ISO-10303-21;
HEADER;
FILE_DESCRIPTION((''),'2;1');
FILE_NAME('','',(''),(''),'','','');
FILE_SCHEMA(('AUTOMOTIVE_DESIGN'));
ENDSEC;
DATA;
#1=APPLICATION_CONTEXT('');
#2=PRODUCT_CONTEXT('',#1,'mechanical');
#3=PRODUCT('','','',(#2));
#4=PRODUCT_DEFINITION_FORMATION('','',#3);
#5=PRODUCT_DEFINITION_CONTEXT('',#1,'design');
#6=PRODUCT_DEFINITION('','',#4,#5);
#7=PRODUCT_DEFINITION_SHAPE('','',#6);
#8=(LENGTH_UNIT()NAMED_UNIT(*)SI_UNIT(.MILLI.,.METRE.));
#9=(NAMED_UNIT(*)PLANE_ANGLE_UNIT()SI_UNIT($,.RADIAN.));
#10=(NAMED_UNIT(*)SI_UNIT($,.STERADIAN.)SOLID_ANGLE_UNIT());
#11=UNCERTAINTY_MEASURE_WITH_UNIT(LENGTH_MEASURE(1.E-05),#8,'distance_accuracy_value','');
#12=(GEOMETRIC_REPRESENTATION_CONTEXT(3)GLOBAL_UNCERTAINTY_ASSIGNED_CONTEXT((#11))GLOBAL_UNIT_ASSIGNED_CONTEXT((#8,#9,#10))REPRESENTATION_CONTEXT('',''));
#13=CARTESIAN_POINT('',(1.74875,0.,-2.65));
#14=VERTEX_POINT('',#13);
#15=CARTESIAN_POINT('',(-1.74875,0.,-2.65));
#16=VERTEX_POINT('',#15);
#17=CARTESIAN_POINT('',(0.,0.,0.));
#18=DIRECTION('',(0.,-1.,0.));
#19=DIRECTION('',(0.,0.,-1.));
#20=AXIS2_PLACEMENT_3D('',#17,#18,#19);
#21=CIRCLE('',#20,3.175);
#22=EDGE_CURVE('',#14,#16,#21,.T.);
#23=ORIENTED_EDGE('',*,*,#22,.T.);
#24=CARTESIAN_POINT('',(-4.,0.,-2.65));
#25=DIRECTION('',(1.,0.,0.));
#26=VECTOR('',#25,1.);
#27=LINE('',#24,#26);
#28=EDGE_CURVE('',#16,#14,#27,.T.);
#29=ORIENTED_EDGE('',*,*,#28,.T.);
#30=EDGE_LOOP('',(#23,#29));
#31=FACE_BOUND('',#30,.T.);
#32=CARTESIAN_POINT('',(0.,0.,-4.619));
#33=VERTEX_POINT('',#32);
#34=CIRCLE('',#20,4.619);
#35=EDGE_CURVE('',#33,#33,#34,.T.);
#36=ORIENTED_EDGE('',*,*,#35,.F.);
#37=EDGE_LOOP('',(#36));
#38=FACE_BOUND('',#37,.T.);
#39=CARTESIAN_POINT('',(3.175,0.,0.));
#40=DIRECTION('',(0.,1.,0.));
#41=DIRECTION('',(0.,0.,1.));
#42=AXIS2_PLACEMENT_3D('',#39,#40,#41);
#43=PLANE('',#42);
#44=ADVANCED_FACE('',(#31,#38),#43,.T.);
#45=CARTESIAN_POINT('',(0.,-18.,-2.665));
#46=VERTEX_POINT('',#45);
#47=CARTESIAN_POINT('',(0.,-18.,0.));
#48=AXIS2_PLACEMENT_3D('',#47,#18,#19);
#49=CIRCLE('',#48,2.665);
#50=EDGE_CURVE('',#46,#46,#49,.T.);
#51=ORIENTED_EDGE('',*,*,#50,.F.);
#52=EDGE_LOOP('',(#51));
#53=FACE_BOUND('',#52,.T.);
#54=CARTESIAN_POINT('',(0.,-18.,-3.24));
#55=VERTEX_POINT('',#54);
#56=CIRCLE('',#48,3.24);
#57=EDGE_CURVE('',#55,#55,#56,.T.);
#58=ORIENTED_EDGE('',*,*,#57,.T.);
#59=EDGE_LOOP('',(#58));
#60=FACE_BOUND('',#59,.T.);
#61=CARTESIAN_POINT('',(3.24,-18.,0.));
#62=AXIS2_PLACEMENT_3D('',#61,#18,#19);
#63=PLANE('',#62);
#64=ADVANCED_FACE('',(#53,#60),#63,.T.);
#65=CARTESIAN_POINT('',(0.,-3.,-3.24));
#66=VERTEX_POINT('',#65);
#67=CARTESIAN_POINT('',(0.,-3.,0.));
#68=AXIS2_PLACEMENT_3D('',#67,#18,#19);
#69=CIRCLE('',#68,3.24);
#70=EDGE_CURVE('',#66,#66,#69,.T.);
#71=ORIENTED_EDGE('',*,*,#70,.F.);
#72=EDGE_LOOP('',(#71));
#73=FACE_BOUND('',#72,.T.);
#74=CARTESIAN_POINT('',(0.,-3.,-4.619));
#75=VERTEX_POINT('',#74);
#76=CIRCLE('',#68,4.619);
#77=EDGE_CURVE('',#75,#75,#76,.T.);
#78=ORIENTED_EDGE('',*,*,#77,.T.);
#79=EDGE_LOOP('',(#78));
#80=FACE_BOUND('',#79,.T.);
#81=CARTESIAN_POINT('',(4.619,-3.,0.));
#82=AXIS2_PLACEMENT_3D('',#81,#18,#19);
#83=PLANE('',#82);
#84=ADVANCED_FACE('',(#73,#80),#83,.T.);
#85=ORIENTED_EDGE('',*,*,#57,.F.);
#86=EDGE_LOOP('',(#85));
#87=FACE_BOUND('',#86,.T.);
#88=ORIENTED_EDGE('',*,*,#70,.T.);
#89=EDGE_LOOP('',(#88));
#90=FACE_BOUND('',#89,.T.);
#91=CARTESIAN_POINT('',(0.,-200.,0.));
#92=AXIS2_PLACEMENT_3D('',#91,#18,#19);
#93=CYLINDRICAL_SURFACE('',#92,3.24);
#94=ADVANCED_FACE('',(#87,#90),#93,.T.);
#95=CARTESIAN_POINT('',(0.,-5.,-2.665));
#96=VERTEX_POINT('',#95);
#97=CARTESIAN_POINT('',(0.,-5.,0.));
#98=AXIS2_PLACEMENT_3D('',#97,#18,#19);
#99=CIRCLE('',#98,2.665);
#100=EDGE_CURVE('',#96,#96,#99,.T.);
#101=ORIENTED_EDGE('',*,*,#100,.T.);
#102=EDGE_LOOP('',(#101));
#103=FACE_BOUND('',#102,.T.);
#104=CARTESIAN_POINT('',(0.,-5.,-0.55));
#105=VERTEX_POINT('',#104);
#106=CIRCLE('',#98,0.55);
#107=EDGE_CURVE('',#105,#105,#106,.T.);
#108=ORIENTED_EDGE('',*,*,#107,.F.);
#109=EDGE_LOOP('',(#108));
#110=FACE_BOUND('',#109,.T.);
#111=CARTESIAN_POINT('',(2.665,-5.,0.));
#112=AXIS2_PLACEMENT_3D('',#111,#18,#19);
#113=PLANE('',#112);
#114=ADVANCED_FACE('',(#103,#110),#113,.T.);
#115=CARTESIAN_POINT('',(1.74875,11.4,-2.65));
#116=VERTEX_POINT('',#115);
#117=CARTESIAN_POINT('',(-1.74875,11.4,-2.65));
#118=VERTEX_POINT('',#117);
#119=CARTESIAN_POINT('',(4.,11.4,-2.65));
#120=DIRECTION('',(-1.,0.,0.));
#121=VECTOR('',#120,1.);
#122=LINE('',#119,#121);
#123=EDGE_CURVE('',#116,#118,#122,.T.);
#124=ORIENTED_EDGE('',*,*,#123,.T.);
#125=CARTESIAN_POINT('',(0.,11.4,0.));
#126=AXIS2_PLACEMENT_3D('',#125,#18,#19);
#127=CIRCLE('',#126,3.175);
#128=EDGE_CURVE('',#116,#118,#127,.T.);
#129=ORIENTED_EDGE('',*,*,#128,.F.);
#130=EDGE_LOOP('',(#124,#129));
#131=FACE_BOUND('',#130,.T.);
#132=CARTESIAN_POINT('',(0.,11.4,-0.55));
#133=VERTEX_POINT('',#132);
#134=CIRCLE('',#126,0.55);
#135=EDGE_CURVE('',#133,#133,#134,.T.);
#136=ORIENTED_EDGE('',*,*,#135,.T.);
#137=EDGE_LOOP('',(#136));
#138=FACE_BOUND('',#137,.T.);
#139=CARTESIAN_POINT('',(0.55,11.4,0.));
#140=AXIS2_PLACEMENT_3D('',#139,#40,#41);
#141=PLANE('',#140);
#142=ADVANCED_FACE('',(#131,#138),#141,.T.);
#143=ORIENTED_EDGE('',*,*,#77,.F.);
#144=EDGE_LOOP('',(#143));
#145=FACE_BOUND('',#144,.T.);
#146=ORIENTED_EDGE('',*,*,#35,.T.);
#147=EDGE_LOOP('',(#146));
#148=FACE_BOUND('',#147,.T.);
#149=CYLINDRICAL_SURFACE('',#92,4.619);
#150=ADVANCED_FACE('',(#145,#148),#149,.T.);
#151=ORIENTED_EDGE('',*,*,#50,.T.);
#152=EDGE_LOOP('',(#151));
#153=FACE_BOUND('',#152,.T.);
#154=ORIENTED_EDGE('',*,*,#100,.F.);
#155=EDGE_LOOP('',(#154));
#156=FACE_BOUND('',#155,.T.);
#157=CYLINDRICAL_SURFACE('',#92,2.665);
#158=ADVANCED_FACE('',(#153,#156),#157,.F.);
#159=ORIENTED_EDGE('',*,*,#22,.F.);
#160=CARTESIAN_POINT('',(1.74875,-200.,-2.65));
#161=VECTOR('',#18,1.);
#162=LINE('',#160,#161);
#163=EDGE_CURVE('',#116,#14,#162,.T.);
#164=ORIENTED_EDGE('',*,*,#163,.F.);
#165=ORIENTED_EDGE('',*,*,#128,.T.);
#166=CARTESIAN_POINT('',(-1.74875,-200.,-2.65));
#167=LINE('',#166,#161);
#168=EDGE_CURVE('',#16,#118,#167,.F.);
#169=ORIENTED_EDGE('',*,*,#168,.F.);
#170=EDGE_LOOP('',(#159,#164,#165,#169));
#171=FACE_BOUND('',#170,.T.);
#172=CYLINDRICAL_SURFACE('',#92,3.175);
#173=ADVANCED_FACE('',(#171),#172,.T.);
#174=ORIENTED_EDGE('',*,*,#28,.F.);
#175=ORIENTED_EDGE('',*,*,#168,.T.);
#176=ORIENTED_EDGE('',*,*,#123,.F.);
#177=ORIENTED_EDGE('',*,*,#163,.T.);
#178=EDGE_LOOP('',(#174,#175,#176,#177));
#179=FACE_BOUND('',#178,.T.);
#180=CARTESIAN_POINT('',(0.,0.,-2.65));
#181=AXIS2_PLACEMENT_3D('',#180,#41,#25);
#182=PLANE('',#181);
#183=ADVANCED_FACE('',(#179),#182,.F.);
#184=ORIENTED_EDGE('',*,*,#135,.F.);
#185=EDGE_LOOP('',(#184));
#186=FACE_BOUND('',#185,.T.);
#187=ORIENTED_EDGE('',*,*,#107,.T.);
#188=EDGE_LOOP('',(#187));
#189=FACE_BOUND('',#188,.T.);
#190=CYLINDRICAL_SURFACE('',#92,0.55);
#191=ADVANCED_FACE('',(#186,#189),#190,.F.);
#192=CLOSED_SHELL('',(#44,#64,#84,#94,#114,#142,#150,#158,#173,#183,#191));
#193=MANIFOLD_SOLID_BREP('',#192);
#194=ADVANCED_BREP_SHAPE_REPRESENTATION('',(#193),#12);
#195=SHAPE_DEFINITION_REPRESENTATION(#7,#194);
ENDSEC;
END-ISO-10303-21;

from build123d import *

# Parameters (mm, degrees)
PACKAGING_START                     = -2.65
SKETCH2_W                           = 8
SKETCH2_H                           = 11.4
PACKAGING_FLAT_AT_Z_MINUS2P65_DEPTH = 20


with BuildPart() as part:
    # Sketch1 → Revolve1 (revolve)
    with BuildSketch(Plane.XY, mode=Mode.PRIVATE) as revolve1_sk:
        Polygon((2.665, -18), (2.665, -5), (0.55, -5), (0.55, 11.4), (3.175, 11.4), (3.175, 0), (4.619, 0), (4.619, -3), (3.24, -3), (3.24, -18), align=None)
    revolve(revolve1_sk.sketch.rotate(Axis((0, -200, 0), (0, 1, 0)), 90), axis=Axis((0, -200, 0), (0, 1, 0)))

    # Sketch2 → Packaging flat at Z minus2p65 (cut)
    with BuildSketch(Plane.XY.offset(PACKAGING_START)):
        with Locations((0, 5.7)):
            Rectangle(SKETCH2_W, SKETCH2_H)
    extrude(amount=-PACKAGING_FLAT_AT_Z_MINUS2P65_DEPTH, mode=Mode.SUBTRACT)


solid = part.part
